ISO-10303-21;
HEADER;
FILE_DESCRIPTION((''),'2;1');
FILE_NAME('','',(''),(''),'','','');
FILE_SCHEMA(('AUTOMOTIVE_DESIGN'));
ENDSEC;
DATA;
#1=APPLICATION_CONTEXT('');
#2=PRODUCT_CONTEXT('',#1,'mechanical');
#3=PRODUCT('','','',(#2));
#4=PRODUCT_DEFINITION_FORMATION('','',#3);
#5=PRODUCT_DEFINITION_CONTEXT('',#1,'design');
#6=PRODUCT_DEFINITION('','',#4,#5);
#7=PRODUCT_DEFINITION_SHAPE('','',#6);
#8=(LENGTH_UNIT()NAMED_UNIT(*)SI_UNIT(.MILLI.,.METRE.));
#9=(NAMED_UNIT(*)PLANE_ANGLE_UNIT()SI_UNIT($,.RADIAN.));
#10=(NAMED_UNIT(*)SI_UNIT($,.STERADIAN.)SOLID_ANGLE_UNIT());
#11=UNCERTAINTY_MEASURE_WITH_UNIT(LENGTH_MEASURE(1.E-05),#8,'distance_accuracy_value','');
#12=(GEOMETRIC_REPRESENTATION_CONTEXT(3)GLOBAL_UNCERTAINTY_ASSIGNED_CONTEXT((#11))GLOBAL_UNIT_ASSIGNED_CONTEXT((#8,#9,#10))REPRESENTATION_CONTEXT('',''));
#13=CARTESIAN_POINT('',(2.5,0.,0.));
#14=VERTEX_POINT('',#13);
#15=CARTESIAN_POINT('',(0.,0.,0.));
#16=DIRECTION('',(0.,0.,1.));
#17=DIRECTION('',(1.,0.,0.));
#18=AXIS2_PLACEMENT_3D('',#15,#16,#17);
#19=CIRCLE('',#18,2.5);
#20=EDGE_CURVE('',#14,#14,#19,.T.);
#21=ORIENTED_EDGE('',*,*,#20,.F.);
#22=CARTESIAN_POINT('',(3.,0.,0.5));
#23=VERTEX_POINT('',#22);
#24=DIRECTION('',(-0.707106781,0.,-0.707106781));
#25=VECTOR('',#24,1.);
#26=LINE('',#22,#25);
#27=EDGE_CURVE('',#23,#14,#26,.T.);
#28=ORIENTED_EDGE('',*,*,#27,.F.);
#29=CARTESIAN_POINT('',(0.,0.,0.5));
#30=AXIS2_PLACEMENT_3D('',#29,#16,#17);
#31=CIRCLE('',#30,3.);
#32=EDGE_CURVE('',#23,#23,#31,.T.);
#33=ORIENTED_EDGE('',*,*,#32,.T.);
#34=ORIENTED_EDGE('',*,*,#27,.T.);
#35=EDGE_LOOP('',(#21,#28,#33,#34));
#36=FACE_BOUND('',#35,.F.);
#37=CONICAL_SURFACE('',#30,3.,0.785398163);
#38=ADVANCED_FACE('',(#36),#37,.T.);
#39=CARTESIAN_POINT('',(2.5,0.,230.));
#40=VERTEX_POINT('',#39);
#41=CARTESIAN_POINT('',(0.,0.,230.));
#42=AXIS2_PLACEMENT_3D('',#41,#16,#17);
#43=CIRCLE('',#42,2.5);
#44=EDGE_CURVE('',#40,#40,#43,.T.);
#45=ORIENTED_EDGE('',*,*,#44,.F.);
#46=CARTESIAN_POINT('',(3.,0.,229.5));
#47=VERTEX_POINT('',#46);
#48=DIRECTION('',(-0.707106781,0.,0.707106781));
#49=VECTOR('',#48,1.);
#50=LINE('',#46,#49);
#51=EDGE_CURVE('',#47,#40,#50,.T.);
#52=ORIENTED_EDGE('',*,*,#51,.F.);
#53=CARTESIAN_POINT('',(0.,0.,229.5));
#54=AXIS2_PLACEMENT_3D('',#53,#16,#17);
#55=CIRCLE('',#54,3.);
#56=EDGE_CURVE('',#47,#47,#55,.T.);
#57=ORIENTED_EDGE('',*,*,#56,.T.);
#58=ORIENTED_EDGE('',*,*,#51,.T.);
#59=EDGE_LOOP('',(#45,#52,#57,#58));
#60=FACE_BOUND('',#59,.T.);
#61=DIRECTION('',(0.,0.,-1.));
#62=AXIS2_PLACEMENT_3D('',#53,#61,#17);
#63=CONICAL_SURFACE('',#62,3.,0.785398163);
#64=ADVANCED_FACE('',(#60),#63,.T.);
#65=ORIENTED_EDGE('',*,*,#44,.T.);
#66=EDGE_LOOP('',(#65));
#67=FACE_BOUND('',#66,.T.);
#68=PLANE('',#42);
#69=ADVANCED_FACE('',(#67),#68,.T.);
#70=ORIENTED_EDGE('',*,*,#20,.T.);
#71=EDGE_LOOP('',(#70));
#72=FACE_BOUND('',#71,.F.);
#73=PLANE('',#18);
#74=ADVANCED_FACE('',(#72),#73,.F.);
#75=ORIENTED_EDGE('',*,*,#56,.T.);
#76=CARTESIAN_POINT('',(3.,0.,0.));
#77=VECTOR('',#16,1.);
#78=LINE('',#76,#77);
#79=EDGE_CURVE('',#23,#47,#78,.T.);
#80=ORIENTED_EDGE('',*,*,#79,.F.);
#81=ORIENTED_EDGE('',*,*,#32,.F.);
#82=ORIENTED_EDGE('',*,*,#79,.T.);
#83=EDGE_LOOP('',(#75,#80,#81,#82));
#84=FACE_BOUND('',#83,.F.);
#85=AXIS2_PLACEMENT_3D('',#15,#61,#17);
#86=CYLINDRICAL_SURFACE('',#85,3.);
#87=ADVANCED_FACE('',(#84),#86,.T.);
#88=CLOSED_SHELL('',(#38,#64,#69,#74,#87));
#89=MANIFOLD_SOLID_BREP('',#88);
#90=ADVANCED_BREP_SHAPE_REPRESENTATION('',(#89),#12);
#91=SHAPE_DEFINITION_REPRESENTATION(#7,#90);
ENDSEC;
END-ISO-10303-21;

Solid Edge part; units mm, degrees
sketch "Sketch1" plane through (0, 0, 0) normal (0, 0, 1) x (1, 0, 0)
  circle A0 centre (0, 0) radius 3
extrude "Protrusion1" add sketch "Sketch1" along normal blind 230
chamfer "Chamfer_1" distance 0.5 angle 45 2 edges at (-3, 0, 0) (-3, 0, 230)
cosmetic_thread "Thread1" size "M6"
properties material "Steel"
